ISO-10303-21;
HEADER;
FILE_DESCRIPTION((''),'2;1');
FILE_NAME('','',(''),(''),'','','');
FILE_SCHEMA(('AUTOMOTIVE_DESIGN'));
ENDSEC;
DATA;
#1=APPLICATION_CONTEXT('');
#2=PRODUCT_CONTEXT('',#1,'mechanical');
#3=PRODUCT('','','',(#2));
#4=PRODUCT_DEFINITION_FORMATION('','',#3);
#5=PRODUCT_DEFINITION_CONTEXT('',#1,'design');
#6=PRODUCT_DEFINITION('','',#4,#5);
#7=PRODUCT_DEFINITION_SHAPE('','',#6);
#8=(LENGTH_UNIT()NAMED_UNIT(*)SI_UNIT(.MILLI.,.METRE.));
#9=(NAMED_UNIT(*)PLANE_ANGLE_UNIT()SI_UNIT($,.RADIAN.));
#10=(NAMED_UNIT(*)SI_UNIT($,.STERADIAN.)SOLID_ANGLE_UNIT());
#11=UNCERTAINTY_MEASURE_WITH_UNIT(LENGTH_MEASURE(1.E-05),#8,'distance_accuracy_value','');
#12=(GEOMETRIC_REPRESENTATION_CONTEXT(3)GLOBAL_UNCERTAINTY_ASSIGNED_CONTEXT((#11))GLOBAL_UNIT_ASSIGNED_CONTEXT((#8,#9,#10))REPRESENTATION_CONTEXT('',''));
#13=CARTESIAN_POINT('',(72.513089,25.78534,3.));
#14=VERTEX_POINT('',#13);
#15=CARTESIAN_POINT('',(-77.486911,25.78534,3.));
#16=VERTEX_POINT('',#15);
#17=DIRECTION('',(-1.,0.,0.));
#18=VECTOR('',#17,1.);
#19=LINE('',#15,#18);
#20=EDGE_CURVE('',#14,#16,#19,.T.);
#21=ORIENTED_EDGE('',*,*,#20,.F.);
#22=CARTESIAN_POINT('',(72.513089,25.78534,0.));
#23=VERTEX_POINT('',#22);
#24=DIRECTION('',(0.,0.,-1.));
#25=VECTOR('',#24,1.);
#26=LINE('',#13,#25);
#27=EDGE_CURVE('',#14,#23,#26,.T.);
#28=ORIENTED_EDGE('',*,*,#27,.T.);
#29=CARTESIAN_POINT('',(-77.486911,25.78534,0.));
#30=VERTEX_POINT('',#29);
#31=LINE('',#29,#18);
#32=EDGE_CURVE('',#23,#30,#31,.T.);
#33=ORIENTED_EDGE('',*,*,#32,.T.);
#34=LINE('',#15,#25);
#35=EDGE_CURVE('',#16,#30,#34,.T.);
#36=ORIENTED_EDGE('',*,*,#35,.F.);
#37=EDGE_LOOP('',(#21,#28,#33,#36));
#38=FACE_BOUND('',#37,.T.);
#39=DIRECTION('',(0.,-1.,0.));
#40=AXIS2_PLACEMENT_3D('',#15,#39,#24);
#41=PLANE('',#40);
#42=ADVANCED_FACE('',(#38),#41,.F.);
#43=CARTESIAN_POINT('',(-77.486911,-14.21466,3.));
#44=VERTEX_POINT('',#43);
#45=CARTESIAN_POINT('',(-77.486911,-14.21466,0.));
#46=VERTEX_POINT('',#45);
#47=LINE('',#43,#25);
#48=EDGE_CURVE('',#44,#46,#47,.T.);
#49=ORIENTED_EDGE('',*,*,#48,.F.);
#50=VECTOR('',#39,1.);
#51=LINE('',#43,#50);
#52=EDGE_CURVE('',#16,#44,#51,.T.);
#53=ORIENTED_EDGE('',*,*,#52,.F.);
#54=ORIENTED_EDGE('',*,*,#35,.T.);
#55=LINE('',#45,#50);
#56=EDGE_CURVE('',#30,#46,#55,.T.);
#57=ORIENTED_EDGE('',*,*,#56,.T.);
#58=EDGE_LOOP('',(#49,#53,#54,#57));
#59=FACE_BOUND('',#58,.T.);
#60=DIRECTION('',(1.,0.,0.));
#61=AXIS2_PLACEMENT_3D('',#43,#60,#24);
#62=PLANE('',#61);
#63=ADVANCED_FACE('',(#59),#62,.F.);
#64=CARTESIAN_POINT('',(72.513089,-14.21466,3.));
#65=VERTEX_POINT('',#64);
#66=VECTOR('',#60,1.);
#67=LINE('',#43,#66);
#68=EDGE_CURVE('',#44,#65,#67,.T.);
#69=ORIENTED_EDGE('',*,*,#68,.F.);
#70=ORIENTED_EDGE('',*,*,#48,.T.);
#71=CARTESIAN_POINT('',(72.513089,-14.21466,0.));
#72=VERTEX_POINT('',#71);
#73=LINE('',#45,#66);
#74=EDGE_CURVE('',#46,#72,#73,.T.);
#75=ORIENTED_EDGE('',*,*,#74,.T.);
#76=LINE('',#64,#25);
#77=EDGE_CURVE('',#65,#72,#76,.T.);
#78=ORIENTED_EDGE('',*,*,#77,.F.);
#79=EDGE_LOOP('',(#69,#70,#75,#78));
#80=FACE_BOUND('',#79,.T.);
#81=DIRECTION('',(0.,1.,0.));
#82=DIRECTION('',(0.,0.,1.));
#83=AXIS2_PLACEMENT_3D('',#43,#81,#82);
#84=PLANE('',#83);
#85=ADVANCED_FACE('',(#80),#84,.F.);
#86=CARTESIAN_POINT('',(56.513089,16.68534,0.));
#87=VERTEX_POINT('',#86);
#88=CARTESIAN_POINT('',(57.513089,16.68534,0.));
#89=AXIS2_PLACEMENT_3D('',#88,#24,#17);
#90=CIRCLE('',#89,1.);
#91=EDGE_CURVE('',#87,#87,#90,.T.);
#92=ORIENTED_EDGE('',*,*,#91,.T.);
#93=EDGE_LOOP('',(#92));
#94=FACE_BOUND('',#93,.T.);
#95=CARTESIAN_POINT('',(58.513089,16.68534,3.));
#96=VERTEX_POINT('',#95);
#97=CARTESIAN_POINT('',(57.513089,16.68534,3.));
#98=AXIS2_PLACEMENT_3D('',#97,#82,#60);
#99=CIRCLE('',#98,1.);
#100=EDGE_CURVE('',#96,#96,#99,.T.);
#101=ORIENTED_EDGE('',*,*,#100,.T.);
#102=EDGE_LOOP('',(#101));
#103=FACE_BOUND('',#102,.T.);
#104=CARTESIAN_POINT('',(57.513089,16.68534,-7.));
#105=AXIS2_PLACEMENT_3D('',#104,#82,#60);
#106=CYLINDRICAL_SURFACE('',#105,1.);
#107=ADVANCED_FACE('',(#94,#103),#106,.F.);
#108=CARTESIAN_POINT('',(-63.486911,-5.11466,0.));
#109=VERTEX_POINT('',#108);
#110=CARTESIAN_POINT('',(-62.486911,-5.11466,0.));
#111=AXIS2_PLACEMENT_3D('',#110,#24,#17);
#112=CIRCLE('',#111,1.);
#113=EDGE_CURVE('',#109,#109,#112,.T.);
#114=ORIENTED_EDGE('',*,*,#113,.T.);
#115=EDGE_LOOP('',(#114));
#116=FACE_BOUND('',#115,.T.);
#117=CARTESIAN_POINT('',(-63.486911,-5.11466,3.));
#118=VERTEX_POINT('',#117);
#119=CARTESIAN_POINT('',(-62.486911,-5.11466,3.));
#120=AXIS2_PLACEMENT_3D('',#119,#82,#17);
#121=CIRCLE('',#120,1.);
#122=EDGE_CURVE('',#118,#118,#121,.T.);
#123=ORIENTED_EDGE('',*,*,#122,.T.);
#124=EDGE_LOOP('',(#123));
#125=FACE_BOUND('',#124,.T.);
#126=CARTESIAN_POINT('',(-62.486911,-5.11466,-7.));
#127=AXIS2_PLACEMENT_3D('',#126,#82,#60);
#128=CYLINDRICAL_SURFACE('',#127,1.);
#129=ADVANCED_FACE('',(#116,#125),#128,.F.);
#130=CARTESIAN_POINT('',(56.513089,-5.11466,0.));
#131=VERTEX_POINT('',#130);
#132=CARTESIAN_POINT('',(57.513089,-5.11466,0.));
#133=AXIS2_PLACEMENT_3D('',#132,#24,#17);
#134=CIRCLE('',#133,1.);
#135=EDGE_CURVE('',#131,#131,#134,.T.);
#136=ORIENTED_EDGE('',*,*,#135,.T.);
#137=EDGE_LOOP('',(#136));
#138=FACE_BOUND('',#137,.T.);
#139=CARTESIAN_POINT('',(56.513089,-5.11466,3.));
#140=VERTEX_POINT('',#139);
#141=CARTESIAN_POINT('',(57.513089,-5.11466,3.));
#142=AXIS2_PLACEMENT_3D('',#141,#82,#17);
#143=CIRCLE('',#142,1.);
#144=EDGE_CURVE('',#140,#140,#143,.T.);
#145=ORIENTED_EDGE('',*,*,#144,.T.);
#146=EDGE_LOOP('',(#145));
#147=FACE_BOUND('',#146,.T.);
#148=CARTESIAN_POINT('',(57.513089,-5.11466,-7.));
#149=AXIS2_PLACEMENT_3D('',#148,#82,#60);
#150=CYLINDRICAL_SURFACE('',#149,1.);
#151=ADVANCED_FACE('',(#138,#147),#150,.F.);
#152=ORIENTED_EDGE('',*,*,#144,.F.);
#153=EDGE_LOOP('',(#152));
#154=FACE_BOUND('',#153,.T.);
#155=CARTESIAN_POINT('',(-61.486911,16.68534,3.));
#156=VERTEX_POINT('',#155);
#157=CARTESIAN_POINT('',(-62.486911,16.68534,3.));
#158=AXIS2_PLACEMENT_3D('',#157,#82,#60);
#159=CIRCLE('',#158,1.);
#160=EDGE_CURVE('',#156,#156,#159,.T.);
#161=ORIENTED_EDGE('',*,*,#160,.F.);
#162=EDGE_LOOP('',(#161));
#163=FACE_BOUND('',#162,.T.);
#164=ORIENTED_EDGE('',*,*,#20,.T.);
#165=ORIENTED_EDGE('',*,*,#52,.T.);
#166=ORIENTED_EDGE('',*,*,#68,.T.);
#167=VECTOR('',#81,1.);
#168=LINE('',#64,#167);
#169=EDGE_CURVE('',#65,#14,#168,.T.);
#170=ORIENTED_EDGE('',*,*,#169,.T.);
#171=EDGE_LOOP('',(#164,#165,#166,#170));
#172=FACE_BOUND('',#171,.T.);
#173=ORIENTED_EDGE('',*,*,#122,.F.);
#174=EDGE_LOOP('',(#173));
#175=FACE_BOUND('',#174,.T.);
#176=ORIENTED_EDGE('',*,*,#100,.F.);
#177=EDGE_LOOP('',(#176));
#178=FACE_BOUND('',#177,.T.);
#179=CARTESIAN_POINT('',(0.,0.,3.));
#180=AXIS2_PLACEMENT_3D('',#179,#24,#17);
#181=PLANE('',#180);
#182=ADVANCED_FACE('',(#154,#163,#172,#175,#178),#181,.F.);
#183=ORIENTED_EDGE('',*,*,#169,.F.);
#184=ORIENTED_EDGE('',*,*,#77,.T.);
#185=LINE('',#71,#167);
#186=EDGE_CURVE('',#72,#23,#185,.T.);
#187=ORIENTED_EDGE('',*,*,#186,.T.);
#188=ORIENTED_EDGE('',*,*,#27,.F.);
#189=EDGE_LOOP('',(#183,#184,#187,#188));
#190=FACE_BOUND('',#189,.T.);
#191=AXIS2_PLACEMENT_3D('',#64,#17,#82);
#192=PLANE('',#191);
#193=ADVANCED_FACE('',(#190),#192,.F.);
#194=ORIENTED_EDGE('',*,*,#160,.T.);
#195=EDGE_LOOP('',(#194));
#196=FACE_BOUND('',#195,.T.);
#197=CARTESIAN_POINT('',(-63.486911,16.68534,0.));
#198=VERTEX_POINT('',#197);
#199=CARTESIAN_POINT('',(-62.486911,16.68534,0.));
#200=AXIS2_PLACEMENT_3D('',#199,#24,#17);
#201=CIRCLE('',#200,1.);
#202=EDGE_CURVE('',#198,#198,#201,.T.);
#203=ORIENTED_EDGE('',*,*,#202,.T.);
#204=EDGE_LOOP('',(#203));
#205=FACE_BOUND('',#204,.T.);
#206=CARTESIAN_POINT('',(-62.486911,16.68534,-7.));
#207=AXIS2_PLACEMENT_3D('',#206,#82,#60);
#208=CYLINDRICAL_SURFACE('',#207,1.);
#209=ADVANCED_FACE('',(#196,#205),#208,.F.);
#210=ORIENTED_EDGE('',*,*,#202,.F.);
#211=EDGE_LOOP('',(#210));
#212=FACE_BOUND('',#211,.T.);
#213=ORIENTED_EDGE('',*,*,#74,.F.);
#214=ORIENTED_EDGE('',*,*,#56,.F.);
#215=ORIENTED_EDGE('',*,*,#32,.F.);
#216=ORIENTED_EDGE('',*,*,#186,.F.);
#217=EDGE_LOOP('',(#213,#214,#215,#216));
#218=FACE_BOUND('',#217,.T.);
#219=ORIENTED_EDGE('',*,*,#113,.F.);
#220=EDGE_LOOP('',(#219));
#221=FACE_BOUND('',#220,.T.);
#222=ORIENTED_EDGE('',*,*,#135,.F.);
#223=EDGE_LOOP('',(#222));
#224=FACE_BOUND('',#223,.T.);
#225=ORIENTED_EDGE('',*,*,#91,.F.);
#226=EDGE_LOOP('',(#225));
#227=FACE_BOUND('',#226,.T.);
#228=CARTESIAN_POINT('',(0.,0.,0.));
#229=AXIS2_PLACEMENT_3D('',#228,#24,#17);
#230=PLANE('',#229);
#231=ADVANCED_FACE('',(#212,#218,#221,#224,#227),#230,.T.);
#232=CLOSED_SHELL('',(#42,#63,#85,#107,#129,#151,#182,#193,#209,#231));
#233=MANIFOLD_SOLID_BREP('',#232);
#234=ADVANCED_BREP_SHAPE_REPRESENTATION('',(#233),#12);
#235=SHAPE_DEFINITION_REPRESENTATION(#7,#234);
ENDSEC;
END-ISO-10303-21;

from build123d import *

# Parameters (mm, degrees)
SKETCH1_W           = 150
SKETCH1_H           = 40
BOSS_EXTRUDE1_DEPTH = 3
SKETCH2_R           = 1
CUT_EXTRUDE1_DEPTH  = 10


with BuildPart() as part:
    # Sketch1 → Boss-Extrude1 (new body)
    with BuildSketch(Plane.XY):
        with Locations((-2.486910995, 5.785340314)):
            Rectangle(SKETCH1_W, SKETCH1_H)
    extrude(amount=BOSS_EXTRUDE1_DEPTH)

    # Sketch2 → Cut-Extrude1 (cut)
    with BuildSketch(Plane.XY.offset(3)):
        with Locations((-62.486910995, 16.685340314)):
            Circle(SKETCH2_R)
        with Locations((57.513089005, 16.685340314)):
            Circle(SKETCH2_R)
        with Locations((57.513089005, -5.114659686)):
            Circle(SKETCH2_R)
        with Locations((-62.486910995, -5.114659686)):
            Circle(SKETCH2_R)
    extrude(amount=-CUT_EXTRUDE1_DEPTH, mode=Mode.SUBTRACT)


solid = part.part
